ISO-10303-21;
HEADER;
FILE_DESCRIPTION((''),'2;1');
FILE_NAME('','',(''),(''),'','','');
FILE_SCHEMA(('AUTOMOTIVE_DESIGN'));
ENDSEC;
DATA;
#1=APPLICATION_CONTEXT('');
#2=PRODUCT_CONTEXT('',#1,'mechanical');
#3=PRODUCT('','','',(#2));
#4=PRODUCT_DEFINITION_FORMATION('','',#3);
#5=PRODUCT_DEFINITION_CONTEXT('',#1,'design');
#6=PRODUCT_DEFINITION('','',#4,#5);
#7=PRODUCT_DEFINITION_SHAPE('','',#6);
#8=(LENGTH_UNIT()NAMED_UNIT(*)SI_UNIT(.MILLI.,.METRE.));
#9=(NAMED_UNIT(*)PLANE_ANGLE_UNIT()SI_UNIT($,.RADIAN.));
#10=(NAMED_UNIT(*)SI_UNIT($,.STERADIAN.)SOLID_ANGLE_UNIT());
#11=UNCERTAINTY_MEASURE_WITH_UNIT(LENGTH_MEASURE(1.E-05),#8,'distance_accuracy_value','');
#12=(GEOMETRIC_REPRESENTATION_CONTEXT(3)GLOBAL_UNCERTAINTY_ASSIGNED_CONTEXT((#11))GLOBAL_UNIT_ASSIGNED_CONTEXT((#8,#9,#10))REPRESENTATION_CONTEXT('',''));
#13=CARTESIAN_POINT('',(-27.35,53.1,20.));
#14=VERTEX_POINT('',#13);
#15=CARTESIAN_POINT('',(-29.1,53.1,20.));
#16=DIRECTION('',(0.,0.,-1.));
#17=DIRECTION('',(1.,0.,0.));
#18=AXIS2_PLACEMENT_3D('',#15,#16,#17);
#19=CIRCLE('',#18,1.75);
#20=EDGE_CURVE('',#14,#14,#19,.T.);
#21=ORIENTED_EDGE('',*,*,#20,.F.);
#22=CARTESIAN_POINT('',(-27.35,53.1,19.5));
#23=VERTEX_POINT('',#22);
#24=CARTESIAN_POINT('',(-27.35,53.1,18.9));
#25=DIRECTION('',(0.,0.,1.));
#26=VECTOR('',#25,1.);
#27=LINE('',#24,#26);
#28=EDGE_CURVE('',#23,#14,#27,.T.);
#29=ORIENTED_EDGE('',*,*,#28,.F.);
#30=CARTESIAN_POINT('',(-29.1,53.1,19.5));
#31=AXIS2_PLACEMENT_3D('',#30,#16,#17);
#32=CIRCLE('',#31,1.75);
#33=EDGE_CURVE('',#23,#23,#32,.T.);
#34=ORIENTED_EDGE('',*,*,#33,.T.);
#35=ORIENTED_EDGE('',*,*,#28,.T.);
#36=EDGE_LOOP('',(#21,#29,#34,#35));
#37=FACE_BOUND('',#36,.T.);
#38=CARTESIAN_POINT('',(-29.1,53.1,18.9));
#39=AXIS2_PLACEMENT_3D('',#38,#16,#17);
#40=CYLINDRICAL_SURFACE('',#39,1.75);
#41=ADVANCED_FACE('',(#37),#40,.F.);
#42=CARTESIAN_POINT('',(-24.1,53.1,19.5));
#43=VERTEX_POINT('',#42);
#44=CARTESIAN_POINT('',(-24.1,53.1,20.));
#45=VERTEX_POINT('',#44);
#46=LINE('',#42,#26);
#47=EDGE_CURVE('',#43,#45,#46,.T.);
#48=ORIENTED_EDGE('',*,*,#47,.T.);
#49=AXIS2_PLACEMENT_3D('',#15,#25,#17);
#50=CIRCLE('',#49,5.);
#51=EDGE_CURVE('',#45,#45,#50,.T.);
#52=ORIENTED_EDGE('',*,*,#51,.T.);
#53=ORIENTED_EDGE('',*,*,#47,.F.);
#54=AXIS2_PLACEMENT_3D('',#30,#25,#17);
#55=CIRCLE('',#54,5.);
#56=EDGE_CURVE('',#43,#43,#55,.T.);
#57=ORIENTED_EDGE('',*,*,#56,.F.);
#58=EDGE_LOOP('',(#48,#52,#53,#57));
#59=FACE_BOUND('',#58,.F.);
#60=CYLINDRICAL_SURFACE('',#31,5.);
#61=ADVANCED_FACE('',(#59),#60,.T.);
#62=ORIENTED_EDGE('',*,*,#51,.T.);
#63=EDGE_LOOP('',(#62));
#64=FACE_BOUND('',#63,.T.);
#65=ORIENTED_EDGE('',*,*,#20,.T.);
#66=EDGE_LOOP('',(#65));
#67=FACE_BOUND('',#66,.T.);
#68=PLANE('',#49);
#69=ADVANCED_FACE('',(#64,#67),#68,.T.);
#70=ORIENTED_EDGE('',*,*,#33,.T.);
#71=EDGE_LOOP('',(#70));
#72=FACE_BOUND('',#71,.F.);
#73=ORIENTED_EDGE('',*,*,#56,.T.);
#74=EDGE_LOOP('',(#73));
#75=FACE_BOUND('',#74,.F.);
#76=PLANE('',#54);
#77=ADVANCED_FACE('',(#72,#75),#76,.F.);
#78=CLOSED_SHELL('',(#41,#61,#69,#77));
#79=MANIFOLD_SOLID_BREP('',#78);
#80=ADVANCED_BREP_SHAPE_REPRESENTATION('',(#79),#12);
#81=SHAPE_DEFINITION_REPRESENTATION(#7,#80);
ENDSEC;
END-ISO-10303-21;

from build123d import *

# Parameters (mm, degrees)
CYLINDER007_R     = 1.75
CYLINDER007_DEPTH = 1.5
CYLINDER006_R     = 5
CYLINDER006_DEPTH = 0.5


with BuildPart() as vaciado_tope003:
    # Cylinder007 → Cylinder007 (new body)
    with BuildSketch(Plane(origin=(-29.1, 53.1, 24.6), x_dir=(1, 0, 0), z_dir=(0, 0, 1))):
        Circle(CYLINDER007_R)
    extrude(amount=CYLINDER007_DEPTH)


with BuildPart() as arandela:
    # Cylinder006 → Cylinder006 (new body)
    with BuildSketch(Plane(origin=(-29.1, 53.1, 25.2), x_dir=(1, 0, 0), z_dir=(0, 0, 1))):
        Circle(CYLINDER006_R)
    extrude(amount=CYLINDER006_DEPTH)

    # Cut003: cut vaciado tope003
    add(vaciado_tope003.part, mode=Mode.SUBTRACT)


with BuildPart() as arandela_1:
    # Cut003 placement: moved
    add(arandela.part.moved(Location((0, 0, -5.7))))


solid = arandela_1.part
